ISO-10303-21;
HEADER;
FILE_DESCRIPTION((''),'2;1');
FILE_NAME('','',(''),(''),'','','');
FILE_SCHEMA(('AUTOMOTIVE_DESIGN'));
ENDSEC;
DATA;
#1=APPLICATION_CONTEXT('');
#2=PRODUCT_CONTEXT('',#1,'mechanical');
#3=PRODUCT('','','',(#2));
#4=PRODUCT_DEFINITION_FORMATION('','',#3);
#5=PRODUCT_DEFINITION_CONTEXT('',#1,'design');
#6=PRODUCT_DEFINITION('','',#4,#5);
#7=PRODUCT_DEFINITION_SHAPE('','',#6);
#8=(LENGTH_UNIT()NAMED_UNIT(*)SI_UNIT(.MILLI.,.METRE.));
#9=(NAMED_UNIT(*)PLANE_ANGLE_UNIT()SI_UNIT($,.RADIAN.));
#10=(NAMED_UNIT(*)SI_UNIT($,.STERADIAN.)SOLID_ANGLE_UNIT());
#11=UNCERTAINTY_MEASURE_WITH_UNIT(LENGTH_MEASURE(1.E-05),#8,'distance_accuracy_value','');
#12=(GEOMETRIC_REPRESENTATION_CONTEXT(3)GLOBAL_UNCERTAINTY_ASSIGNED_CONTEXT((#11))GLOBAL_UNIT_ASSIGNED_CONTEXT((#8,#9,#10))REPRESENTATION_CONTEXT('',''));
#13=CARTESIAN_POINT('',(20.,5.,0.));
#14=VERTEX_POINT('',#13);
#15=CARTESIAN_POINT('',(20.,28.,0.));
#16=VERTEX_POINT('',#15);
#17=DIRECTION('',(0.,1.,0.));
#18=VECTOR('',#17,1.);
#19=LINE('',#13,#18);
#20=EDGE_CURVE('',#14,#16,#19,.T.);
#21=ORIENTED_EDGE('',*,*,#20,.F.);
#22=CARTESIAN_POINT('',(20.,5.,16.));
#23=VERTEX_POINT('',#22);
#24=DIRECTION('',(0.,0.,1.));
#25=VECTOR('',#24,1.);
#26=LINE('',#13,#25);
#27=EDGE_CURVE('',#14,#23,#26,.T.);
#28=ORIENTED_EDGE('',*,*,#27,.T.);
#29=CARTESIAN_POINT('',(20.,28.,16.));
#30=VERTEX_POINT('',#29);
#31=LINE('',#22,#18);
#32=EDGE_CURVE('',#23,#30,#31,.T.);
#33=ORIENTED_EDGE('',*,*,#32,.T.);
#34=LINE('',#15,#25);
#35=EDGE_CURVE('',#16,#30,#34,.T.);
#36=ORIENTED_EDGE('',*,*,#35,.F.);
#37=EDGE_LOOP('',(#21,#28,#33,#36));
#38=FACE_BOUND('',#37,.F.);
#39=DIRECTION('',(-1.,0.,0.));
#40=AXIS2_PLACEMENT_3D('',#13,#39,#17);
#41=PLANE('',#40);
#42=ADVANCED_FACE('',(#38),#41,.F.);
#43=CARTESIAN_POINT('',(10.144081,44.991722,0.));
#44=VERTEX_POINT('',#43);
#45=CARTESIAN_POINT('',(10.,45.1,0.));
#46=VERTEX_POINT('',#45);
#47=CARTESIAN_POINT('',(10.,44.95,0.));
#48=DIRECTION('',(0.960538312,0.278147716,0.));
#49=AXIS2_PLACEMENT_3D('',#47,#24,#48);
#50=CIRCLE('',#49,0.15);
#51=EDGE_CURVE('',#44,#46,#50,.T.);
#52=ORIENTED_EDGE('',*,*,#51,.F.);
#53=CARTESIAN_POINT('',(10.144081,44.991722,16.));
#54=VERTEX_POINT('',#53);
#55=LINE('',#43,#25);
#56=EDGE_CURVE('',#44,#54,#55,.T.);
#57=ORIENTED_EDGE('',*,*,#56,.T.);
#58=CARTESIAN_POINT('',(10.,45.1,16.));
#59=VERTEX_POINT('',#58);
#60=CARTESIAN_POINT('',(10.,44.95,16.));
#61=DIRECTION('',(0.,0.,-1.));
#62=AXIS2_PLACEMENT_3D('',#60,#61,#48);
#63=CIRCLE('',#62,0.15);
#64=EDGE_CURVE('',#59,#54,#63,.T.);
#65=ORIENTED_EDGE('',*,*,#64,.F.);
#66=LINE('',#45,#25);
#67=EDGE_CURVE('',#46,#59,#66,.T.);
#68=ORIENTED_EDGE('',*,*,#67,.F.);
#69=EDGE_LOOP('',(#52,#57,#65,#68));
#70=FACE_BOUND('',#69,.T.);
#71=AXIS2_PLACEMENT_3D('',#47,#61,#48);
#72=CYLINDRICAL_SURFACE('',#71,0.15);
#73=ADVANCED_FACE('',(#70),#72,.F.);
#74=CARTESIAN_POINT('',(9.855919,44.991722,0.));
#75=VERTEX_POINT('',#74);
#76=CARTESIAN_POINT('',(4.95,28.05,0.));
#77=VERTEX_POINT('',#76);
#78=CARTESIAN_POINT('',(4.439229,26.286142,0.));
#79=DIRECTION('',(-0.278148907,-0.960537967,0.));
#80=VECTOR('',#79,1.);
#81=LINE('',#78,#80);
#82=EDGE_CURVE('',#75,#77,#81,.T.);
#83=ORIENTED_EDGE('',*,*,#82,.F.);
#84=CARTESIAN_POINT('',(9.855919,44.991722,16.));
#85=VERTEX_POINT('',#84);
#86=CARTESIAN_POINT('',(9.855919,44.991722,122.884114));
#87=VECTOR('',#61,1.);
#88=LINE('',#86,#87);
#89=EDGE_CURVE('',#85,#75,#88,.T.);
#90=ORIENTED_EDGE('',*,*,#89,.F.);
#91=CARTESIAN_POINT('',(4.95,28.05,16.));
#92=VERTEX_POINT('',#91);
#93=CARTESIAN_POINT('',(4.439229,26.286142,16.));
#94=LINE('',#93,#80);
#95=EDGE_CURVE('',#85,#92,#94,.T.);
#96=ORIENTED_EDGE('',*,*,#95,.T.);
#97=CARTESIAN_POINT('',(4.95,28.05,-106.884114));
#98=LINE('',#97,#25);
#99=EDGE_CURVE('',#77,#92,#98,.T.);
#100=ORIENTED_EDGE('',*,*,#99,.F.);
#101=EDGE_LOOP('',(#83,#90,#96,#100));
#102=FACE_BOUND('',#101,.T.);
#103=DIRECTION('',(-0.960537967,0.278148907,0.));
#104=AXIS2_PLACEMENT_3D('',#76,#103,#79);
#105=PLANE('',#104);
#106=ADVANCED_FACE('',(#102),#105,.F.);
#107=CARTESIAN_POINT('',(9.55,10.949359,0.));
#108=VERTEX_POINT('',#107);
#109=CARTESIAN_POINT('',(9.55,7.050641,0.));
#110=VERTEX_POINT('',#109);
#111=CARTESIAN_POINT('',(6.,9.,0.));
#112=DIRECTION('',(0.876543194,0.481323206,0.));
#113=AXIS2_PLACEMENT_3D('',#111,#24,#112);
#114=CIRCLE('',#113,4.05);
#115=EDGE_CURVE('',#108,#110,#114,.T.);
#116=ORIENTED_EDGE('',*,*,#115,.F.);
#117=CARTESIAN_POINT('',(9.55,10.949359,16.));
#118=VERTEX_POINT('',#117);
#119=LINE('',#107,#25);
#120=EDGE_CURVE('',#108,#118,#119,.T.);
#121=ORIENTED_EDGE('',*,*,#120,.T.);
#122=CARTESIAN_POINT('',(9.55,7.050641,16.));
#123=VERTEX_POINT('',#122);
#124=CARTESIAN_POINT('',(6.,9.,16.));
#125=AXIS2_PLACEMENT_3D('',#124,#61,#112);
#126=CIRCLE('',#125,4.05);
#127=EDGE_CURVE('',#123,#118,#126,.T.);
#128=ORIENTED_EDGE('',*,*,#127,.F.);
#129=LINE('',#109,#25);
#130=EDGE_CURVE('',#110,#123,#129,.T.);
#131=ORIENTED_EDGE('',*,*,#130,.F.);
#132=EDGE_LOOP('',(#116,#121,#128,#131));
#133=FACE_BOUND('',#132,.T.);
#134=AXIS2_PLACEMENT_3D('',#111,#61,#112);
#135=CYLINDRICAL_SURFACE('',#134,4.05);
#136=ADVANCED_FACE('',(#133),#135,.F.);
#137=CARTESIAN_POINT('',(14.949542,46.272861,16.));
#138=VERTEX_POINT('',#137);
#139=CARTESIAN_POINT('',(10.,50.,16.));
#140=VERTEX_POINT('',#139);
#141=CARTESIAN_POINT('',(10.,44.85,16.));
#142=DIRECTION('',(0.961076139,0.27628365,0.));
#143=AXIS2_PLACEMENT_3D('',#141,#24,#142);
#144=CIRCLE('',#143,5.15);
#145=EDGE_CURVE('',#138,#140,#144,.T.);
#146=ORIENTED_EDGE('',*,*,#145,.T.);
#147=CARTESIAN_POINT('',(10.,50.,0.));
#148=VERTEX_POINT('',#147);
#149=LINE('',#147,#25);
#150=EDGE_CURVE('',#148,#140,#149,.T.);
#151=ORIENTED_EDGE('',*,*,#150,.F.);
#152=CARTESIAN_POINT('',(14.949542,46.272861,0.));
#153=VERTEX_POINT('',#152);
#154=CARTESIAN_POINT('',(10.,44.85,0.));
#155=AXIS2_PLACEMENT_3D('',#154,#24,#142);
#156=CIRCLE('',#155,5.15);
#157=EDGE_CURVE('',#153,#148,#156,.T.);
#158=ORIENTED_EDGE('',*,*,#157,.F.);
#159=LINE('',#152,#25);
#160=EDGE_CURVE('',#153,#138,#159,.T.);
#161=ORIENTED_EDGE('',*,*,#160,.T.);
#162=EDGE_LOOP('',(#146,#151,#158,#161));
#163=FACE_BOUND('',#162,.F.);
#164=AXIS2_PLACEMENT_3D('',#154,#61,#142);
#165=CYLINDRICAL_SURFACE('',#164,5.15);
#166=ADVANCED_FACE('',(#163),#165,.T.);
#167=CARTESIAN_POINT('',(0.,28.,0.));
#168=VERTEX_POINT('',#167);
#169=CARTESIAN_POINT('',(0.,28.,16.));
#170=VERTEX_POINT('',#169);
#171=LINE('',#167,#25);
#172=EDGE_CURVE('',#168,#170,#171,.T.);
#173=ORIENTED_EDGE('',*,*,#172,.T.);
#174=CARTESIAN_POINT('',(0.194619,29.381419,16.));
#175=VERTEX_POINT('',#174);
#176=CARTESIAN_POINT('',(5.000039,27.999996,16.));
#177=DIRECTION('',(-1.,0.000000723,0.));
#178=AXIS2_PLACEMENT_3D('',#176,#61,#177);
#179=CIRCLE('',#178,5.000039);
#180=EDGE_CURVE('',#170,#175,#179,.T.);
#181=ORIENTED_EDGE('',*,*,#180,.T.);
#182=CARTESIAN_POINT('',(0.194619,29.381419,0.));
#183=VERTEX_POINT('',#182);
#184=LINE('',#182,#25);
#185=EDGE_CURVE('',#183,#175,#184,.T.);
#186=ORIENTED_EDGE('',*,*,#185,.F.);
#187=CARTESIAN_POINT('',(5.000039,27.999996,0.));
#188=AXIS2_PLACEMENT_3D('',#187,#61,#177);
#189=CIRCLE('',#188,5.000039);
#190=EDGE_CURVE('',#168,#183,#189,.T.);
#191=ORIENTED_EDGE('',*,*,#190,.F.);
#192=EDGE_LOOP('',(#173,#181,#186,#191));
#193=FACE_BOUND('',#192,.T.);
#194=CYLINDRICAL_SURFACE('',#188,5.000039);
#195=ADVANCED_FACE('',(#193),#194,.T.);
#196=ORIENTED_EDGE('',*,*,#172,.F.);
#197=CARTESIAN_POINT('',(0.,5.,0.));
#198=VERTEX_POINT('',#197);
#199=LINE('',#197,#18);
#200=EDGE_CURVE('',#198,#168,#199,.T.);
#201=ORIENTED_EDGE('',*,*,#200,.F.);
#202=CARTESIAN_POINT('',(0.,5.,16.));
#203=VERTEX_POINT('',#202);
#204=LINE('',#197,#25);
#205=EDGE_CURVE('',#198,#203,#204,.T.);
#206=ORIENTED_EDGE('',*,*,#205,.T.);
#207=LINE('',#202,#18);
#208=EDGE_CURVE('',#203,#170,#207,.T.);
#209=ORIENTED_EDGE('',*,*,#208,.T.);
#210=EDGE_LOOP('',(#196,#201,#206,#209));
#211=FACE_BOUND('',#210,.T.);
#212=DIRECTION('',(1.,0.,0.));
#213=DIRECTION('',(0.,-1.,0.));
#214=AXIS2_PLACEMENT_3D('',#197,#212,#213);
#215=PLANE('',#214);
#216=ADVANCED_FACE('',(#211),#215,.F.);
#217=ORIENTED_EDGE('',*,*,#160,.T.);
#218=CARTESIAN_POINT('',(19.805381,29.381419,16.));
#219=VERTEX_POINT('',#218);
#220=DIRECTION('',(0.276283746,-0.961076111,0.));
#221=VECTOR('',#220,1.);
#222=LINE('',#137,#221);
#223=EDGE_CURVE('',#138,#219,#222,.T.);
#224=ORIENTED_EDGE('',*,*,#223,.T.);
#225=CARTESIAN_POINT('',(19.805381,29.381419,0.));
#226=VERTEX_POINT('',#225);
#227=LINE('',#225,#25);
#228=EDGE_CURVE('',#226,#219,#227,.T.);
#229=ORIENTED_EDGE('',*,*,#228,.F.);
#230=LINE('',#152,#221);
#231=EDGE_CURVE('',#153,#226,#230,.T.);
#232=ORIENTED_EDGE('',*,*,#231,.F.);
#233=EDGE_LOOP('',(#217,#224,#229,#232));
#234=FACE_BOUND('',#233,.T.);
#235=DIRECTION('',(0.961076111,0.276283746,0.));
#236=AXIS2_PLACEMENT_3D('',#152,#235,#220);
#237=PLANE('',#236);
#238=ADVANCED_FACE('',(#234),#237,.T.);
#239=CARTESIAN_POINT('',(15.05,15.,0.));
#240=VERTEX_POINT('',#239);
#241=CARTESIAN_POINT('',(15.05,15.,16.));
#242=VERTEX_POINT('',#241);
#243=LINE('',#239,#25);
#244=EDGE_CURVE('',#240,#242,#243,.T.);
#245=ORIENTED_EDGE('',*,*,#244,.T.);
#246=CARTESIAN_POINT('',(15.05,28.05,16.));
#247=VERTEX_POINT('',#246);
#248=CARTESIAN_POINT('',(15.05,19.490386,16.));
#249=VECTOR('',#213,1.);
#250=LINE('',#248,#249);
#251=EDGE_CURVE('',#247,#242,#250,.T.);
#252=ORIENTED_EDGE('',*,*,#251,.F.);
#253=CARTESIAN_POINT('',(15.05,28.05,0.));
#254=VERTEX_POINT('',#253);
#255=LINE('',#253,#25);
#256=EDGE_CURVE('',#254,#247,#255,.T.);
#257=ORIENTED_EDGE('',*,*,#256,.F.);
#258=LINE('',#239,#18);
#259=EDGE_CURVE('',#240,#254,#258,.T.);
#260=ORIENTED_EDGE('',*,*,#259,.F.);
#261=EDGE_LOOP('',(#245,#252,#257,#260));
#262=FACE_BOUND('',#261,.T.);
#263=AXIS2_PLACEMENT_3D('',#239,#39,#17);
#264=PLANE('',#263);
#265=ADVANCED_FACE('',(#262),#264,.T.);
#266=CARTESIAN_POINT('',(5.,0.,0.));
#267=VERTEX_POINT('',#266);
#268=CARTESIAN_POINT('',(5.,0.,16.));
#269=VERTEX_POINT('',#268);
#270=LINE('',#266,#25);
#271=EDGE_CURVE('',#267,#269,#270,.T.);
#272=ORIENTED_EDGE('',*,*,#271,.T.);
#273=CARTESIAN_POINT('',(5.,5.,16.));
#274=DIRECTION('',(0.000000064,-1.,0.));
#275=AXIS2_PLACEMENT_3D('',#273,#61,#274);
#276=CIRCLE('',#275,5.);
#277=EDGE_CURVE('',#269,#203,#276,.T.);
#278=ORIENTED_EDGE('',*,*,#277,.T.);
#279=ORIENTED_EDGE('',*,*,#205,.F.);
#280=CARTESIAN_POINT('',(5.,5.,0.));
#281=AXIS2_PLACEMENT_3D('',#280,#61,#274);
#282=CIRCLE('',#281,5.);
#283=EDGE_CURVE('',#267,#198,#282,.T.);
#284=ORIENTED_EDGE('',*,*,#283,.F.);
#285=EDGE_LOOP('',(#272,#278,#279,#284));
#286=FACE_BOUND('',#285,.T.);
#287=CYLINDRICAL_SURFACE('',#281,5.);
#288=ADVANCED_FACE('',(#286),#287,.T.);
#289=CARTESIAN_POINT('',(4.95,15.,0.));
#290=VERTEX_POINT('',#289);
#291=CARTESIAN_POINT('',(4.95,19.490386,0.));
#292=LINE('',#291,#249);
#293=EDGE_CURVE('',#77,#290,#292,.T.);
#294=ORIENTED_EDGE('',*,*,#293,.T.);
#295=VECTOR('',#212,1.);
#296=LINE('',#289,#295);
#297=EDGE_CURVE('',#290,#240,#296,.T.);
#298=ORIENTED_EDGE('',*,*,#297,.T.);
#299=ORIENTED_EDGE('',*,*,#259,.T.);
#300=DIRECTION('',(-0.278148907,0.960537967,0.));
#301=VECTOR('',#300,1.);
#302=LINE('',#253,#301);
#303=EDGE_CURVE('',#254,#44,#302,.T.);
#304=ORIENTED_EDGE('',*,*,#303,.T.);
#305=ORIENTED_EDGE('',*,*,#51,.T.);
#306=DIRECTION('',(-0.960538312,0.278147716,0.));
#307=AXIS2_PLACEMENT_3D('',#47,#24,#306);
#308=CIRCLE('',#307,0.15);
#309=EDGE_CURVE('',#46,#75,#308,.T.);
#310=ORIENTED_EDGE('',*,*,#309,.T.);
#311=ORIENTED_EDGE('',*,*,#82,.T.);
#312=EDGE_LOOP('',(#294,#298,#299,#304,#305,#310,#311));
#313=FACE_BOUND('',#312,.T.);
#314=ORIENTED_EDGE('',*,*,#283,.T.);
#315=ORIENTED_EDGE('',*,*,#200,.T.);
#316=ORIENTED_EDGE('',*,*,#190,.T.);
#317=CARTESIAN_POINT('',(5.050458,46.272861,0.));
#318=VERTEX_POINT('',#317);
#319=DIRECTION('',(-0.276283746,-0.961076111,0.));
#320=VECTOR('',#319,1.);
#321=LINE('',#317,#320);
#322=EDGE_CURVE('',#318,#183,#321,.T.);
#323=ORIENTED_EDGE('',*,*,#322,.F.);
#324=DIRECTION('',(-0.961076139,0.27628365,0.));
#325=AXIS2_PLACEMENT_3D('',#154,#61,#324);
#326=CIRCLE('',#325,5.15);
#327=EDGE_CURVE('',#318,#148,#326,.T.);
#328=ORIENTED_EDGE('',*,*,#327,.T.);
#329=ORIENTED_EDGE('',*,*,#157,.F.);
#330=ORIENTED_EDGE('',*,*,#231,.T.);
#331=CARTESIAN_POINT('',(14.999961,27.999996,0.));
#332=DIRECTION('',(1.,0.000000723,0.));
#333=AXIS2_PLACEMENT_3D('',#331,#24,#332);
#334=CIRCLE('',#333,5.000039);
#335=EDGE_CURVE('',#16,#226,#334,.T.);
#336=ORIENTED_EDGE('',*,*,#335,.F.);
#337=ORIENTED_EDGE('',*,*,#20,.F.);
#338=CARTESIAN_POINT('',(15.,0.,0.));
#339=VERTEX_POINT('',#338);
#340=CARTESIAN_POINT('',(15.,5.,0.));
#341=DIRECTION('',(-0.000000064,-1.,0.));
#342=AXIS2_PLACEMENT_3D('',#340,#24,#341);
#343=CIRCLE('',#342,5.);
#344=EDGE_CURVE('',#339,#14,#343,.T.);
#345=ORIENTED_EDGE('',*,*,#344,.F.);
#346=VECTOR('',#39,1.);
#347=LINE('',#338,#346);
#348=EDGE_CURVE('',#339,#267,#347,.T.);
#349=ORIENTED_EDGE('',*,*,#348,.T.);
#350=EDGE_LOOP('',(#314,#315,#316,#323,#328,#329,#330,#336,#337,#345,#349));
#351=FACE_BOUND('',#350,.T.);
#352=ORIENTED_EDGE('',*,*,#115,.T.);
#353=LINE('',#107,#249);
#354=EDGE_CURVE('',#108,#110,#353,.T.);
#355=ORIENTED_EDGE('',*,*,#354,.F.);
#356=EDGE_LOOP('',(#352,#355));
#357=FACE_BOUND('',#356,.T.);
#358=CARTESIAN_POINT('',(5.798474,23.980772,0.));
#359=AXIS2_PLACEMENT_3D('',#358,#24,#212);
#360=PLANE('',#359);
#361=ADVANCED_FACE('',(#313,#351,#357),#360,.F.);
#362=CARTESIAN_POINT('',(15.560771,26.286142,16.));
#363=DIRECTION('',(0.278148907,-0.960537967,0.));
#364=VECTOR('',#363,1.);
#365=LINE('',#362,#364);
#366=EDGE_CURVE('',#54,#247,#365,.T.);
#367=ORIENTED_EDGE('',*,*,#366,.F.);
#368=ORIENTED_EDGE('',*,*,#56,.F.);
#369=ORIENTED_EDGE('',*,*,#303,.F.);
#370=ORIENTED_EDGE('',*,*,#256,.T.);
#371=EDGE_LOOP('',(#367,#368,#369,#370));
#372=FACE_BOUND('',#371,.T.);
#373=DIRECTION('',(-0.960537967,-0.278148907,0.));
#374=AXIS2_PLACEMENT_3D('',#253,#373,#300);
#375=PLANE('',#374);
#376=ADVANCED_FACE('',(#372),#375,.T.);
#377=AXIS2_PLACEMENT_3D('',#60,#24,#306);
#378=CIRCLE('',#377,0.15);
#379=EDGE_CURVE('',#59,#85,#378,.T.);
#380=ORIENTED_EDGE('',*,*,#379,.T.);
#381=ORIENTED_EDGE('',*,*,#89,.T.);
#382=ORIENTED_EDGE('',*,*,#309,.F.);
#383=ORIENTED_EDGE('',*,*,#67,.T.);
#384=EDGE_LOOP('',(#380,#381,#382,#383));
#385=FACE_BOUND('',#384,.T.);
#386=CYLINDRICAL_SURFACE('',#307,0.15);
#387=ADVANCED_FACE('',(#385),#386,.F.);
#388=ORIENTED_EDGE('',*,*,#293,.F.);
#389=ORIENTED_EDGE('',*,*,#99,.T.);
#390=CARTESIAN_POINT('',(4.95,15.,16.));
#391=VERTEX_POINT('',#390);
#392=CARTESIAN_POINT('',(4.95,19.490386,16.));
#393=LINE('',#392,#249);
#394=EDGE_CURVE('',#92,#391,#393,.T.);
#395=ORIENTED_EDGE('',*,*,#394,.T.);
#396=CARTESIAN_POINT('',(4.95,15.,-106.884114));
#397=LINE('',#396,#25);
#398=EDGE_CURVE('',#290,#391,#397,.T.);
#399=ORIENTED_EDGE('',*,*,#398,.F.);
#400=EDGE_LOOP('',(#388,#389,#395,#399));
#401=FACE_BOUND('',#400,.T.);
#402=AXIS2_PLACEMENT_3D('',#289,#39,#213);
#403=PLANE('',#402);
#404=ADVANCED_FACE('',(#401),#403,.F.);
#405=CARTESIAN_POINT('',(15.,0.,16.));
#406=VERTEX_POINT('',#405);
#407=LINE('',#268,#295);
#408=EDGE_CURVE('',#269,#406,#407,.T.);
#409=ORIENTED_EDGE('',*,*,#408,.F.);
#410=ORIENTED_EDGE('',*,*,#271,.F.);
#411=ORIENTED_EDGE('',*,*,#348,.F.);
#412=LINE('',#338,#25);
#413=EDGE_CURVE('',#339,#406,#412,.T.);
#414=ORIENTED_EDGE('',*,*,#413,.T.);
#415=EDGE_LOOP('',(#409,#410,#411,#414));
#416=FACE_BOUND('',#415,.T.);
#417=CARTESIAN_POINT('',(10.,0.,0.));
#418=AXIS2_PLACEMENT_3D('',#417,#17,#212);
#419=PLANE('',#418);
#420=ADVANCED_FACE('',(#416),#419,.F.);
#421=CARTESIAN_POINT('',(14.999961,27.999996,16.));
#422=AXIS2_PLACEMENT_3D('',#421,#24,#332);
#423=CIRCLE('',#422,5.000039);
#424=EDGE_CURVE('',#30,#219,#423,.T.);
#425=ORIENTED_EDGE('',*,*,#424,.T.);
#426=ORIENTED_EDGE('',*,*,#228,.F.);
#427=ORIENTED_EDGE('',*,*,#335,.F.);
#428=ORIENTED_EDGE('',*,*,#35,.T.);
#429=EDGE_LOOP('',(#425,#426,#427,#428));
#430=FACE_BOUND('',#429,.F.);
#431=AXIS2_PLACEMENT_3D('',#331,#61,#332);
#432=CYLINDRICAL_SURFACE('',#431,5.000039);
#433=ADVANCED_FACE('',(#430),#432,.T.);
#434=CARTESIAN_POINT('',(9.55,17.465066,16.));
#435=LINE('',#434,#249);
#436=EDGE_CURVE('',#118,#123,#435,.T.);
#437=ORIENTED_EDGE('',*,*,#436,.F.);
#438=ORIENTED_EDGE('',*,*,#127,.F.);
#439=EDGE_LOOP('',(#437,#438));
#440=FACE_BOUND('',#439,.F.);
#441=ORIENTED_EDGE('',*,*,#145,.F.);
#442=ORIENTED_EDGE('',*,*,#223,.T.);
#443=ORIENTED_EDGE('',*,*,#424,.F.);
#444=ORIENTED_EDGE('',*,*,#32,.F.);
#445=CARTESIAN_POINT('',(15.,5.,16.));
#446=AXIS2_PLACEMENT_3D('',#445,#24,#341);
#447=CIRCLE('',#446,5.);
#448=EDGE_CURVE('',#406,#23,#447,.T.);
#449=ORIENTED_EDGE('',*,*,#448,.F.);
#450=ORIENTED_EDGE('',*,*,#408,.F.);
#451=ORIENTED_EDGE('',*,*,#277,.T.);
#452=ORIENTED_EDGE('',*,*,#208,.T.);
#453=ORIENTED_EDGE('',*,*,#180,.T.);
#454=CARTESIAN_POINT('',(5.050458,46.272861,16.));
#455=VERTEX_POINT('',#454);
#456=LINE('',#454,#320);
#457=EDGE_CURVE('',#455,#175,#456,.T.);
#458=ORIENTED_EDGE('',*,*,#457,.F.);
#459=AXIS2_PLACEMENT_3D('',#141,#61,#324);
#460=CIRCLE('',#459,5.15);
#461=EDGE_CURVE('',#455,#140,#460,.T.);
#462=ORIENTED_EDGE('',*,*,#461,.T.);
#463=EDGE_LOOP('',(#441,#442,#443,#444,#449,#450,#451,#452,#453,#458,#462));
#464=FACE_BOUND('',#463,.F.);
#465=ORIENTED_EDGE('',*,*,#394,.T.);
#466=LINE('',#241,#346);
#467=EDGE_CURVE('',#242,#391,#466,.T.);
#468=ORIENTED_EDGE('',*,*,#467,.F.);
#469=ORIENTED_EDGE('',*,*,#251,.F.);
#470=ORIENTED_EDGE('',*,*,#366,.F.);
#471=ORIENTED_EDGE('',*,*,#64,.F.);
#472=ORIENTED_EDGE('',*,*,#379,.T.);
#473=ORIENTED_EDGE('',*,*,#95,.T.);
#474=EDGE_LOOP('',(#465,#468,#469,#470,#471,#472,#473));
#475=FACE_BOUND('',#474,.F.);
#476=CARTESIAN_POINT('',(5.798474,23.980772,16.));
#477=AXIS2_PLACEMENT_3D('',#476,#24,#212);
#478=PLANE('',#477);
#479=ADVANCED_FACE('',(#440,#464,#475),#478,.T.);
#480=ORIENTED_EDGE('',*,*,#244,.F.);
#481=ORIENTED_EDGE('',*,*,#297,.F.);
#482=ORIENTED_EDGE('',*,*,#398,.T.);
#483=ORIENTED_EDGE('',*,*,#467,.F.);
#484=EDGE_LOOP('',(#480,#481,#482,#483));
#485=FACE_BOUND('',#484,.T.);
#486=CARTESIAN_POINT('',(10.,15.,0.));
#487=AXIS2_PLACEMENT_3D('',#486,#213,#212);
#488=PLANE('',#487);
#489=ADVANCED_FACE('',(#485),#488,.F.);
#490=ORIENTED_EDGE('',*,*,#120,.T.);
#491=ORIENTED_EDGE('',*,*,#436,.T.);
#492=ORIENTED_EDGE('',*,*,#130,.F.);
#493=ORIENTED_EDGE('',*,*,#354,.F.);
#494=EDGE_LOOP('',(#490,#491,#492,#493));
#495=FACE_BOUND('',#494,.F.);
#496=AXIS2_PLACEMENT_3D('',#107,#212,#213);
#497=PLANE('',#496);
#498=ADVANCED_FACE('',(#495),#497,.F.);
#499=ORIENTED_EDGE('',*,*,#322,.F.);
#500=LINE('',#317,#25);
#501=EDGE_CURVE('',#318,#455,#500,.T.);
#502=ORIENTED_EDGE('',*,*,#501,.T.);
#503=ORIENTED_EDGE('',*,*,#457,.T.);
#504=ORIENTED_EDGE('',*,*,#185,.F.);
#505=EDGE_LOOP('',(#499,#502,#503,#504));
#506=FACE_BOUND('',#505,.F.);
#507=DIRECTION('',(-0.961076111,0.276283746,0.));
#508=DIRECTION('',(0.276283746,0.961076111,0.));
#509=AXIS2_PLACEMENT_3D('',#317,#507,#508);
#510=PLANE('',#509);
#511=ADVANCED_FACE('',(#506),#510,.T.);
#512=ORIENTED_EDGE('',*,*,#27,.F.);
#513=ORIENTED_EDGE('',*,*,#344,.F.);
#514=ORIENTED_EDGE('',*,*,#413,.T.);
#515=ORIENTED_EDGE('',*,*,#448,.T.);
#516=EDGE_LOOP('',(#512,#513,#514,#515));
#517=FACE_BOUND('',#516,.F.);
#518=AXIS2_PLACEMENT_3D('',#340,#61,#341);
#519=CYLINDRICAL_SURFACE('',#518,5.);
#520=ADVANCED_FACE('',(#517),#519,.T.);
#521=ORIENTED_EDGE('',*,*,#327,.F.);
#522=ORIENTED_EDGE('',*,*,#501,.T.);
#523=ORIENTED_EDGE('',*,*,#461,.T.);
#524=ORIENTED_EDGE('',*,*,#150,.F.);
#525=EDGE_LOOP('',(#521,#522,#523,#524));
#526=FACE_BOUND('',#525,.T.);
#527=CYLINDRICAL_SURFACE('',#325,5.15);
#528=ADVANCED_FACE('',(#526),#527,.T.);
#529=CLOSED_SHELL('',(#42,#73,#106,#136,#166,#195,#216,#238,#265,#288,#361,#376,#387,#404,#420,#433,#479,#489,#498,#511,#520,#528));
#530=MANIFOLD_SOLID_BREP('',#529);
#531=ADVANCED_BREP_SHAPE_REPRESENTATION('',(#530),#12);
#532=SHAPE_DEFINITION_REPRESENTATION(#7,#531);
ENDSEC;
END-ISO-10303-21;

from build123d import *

# Parameters (mm, degrees)
PAD_DEPTH            = 16
POCKET_DEPTH         = 106.884114
POCKET_DEPTH_BACK    = 122.884114
POCKET001_DEPTH      = 0.001
POCKET001_DEPTH_BACK = 16.001


with BuildPart() as part:
    # Sketch → Pad (new body)
    with BuildSketch(Plane.XY):
        with BuildLine():
            ThreePointArc((4.949542, 31.272861), (3.097964, 33.964015), (0, 35))
            Line((0, -15), (0, 35))
            Line((0, -15), (5, -15))
            ThreePointArc((5, -15), (8.535534, -13.535534), (10, -10))
            Line((10, -10), (10, 13))
            ThreePointArc((10, 13), (9.951106, 13.69753), (9.805381, 14.381419))
            Line((4.949542, 31.272861), (9.805381, 14.381419))
        make_face()
    pad = extrude(amount=PAD_DEPTH)

    # Sketch001 → Pocket (cut, two sides)
    with BuildSketch(Plane.XY) as pocket_sk:
        with BuildLine():
            Line((0, 0), (5.05, 0))
            Line((5.05, 0), (5.05, 13.05))
            Line((5.05, 13.05), (0.144081, 29.991722))
            ThreePointArc((0.144081, 29.991722), (0.090116, 30.069913), (0, 30.1))
            Line((0, 30.1), (0, 0))
        make_face()
    pocket = extrude(amount=-POCKET_DEPTH, mode=Mode.SUBTRACT) + extrude(pocket_sk.sketch, amount=POCKET_DEPTH_BACK, mode=Mode.SUBTRACT)

    # Mirrored: Pad, Pocket across Sketch V_Axis
    add(pad.mirror(Plane(origin=(0, 0, 0), x_dir=(0, 0, 1), z_dir=(1, 0, 0))))
    add(pocket.mirror(Plane(origin=(0, 0, 0), x_dir=(0, 0, 1), z_dir=(1, 0, 0))), mode=Mode.SUBTRACT)

    # Sketch002 → Pocket001 (cut, two sides)
    with BuildSketch(Plane(origin=(-4, -6, 0), x_dir=(1, 0, 0), z_dir=(0, 0, 1))) as pocket001_sk:
        with BuildLine():
            ThreePointArc((3.55, 1.949359), (-4.05, 0), (3.55, -1.949359))
            Line((3.55, 1.949359), (3.55, -1.949359))
        make_face()
    extrude(amount=-POCKET001_DEPTH, mode=Mode.SUBTRACT)
    extrude(pocket001_sk.sketch, amount=POCKET001_DEPTH_BACK, mode=Mode.SUBTRACT)


with BuildPart() as part_1:
    # Clone placement: moved
    add(part.part.moved(Location((10, 15, 0))))


solid = part_1.part
